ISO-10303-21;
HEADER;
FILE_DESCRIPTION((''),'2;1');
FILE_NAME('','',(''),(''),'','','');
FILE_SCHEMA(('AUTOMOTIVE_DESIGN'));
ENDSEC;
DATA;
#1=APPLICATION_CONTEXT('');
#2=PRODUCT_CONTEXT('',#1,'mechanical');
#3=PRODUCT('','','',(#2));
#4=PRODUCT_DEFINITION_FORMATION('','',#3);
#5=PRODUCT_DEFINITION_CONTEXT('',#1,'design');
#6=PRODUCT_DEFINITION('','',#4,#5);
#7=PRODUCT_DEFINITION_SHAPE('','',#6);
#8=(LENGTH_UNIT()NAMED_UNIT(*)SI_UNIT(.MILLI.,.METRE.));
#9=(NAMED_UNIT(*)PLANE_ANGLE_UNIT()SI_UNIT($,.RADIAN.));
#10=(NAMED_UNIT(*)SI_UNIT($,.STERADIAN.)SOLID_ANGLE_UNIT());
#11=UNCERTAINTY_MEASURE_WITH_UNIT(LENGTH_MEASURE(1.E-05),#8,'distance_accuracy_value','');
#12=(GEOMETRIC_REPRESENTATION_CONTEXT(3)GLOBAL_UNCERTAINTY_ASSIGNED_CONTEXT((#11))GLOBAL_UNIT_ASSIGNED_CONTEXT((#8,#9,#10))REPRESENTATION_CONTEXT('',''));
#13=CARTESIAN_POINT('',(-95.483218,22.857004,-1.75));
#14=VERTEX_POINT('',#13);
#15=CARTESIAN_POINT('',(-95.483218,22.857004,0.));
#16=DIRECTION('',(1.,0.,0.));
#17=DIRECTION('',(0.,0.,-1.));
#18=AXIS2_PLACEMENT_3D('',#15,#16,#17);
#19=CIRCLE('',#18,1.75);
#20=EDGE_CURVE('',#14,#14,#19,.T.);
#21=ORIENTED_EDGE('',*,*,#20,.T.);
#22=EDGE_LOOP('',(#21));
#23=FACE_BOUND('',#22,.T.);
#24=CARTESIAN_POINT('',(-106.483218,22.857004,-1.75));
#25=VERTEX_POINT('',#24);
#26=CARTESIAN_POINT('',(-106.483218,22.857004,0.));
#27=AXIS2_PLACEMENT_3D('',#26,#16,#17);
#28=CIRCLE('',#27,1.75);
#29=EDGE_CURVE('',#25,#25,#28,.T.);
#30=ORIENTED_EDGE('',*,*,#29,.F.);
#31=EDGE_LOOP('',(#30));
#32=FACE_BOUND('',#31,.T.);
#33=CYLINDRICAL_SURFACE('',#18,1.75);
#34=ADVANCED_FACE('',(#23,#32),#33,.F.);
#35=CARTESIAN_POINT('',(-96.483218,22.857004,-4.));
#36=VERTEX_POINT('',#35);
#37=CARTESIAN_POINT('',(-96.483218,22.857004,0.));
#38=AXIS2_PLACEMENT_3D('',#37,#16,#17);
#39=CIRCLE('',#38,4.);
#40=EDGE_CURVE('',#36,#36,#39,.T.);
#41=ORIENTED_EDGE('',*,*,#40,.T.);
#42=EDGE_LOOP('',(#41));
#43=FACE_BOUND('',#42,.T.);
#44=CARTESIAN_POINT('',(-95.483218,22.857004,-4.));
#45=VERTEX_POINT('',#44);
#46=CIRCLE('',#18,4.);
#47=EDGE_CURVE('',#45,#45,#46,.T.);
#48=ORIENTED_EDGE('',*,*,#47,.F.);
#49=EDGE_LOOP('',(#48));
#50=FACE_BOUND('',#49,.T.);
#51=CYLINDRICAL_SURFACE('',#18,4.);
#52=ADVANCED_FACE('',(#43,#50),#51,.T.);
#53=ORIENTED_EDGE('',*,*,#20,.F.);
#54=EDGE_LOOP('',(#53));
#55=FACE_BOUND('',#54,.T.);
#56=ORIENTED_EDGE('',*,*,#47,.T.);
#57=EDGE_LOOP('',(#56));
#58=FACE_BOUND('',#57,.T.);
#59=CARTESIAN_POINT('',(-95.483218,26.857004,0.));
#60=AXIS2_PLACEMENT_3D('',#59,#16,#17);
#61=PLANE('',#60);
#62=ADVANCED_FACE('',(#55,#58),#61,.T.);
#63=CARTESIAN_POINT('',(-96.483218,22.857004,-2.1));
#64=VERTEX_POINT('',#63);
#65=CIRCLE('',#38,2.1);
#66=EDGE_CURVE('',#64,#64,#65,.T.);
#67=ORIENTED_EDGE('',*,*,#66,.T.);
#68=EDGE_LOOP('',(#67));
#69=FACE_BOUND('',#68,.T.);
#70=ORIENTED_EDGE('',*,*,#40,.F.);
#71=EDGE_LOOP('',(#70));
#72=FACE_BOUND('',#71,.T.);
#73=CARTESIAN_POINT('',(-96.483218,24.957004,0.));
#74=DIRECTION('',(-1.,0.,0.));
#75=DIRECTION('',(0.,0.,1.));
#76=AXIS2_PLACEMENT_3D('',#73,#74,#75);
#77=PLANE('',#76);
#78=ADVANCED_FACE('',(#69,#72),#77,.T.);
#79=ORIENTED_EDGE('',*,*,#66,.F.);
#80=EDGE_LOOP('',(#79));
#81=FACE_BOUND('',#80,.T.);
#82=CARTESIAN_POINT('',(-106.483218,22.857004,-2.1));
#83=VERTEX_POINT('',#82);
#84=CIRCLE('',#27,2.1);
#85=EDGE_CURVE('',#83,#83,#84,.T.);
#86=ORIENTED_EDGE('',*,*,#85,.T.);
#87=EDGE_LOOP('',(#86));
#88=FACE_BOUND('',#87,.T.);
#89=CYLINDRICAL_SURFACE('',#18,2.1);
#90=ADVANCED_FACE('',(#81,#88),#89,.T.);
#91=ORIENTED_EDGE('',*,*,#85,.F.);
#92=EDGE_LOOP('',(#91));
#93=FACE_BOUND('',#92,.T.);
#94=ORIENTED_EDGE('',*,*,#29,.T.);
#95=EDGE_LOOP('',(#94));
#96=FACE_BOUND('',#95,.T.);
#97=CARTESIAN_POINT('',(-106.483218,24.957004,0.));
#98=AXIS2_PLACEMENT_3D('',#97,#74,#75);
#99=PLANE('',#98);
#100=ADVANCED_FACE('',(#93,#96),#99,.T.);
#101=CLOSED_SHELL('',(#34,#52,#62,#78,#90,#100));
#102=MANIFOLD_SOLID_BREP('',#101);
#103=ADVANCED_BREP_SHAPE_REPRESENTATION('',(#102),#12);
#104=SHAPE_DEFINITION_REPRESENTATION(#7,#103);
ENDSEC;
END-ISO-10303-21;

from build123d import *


with BuildPart() as part:
    # Sketch1 → Revolve1 (revolve)
    with BuildSketch(Plane.XY, mode=Mode.PRIVATE) as revolve1_sk:
        Polygon((-106.483217922, 24.9570042), (-96.483217922, 24.9570042), (-96.483217922, 26.8570042), (-95.483217922, 26.8570042), (-95.483217922, 24.6070042), (-106.483217922, 24.6070042), align=None)
    revolve(revolve1_sk.sketch.rotate(Axis((-95.483217922, 22.8570042, 0), (-1, 0, 0)), 90), axis=Axis((-95.483217922, 22.8570042, 0), (-1, 0, 0)))


solid = part.part
